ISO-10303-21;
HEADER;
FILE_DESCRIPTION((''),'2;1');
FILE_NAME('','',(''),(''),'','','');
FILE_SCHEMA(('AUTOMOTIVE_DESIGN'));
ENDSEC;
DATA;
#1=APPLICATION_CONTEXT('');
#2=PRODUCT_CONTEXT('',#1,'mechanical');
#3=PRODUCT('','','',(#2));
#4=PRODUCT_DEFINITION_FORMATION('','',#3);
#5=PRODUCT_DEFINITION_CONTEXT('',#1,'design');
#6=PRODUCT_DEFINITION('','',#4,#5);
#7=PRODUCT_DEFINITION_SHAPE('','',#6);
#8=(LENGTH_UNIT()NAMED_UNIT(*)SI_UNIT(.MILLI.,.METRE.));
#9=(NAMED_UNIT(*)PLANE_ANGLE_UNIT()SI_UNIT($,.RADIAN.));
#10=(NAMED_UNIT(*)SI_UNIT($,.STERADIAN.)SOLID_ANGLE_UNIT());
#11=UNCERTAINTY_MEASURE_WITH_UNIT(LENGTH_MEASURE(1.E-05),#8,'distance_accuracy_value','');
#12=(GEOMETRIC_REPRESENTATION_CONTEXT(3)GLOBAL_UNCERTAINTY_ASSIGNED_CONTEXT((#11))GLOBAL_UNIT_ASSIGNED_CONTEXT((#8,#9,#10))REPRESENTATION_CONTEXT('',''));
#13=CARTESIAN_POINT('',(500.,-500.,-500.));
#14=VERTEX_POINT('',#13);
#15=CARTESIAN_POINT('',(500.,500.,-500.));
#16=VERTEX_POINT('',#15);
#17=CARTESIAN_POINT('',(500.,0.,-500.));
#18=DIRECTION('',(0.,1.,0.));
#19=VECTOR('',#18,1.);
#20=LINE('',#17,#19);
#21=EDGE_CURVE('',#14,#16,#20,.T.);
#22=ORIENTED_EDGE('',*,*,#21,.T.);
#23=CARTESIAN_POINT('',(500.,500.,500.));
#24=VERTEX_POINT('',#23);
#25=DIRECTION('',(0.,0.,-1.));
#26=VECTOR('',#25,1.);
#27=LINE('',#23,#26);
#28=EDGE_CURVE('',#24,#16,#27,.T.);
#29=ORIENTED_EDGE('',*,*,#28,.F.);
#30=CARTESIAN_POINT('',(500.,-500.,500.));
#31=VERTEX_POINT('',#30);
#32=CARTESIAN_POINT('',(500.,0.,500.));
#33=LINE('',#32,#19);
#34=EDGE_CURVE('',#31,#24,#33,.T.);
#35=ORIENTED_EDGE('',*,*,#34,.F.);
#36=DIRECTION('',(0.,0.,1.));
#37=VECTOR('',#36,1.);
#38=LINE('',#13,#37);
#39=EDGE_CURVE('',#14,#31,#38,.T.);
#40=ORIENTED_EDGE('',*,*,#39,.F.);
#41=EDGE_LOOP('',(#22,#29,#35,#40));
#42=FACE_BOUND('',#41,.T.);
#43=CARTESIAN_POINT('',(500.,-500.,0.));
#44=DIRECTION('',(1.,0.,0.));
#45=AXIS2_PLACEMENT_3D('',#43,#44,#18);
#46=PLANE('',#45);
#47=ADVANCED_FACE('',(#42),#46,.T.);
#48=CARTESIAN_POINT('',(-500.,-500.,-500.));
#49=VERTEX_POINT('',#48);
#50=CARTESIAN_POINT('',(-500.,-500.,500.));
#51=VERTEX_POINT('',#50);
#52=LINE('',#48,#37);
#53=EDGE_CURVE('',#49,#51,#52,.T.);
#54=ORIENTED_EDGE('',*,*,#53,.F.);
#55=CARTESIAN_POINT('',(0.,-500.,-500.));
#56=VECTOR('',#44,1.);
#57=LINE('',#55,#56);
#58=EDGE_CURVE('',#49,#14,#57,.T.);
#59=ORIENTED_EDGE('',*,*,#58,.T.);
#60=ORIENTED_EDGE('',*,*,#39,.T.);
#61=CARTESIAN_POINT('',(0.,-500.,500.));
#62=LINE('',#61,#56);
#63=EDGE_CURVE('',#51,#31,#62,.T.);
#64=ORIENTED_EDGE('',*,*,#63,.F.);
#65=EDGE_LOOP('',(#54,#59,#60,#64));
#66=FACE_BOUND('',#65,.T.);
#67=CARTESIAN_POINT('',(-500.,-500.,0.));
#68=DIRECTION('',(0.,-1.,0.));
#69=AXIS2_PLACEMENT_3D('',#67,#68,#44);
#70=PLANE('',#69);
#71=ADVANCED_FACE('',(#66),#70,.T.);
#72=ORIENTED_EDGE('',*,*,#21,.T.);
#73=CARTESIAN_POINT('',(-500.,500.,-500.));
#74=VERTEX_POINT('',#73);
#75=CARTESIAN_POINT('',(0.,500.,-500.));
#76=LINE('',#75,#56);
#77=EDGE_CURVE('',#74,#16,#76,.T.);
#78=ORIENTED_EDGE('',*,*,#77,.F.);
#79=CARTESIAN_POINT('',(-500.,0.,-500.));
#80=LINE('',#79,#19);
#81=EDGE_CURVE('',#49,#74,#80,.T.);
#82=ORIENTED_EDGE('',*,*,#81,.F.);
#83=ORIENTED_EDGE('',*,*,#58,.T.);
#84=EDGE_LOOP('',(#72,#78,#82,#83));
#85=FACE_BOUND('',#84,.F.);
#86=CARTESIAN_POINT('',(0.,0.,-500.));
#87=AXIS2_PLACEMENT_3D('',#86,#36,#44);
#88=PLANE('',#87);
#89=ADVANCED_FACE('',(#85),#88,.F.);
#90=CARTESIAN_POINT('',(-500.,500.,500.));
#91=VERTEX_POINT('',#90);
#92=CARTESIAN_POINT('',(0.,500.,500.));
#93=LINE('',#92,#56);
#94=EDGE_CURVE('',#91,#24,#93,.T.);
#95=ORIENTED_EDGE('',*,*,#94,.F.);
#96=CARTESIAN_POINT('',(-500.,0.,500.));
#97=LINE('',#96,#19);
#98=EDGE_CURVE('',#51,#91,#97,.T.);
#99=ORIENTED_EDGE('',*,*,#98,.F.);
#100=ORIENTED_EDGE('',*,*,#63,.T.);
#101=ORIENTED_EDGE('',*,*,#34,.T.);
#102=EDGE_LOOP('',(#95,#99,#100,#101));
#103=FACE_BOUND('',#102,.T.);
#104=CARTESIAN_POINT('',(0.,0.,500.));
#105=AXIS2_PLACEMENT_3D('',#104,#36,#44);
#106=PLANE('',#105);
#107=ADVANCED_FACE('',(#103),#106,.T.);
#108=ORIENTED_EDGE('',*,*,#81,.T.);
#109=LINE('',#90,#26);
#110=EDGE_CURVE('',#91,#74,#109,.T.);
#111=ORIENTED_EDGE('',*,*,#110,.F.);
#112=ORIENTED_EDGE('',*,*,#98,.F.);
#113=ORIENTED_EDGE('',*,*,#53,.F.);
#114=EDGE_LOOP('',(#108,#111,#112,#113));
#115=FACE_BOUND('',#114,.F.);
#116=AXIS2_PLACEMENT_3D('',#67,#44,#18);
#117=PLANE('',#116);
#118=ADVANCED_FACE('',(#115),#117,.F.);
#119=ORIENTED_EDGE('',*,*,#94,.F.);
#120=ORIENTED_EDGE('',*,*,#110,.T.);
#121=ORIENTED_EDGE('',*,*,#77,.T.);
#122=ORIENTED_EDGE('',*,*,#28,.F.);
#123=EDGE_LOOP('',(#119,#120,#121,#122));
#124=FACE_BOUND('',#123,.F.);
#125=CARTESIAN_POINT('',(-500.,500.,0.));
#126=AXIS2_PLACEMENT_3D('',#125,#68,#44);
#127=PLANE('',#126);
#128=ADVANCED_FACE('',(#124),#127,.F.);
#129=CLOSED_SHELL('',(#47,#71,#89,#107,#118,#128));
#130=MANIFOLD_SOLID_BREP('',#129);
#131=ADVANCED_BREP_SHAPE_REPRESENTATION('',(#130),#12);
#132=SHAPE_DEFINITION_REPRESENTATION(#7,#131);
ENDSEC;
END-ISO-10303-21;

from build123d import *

# Parameters (mm, degrees)
SKETCH_W  = 1000
SKETCH_H  = 1000
PAD_DEPTH = 500


with BuildPart() as part:
    # Sketch → Pad (new body, symmetric)
    with BuildSketch(Plane.XY):
        Rectangle(SKETCH_W, SKETCH_H)
    extrude(amount=PAD_DEPTH, both=True)


solid = part.part
